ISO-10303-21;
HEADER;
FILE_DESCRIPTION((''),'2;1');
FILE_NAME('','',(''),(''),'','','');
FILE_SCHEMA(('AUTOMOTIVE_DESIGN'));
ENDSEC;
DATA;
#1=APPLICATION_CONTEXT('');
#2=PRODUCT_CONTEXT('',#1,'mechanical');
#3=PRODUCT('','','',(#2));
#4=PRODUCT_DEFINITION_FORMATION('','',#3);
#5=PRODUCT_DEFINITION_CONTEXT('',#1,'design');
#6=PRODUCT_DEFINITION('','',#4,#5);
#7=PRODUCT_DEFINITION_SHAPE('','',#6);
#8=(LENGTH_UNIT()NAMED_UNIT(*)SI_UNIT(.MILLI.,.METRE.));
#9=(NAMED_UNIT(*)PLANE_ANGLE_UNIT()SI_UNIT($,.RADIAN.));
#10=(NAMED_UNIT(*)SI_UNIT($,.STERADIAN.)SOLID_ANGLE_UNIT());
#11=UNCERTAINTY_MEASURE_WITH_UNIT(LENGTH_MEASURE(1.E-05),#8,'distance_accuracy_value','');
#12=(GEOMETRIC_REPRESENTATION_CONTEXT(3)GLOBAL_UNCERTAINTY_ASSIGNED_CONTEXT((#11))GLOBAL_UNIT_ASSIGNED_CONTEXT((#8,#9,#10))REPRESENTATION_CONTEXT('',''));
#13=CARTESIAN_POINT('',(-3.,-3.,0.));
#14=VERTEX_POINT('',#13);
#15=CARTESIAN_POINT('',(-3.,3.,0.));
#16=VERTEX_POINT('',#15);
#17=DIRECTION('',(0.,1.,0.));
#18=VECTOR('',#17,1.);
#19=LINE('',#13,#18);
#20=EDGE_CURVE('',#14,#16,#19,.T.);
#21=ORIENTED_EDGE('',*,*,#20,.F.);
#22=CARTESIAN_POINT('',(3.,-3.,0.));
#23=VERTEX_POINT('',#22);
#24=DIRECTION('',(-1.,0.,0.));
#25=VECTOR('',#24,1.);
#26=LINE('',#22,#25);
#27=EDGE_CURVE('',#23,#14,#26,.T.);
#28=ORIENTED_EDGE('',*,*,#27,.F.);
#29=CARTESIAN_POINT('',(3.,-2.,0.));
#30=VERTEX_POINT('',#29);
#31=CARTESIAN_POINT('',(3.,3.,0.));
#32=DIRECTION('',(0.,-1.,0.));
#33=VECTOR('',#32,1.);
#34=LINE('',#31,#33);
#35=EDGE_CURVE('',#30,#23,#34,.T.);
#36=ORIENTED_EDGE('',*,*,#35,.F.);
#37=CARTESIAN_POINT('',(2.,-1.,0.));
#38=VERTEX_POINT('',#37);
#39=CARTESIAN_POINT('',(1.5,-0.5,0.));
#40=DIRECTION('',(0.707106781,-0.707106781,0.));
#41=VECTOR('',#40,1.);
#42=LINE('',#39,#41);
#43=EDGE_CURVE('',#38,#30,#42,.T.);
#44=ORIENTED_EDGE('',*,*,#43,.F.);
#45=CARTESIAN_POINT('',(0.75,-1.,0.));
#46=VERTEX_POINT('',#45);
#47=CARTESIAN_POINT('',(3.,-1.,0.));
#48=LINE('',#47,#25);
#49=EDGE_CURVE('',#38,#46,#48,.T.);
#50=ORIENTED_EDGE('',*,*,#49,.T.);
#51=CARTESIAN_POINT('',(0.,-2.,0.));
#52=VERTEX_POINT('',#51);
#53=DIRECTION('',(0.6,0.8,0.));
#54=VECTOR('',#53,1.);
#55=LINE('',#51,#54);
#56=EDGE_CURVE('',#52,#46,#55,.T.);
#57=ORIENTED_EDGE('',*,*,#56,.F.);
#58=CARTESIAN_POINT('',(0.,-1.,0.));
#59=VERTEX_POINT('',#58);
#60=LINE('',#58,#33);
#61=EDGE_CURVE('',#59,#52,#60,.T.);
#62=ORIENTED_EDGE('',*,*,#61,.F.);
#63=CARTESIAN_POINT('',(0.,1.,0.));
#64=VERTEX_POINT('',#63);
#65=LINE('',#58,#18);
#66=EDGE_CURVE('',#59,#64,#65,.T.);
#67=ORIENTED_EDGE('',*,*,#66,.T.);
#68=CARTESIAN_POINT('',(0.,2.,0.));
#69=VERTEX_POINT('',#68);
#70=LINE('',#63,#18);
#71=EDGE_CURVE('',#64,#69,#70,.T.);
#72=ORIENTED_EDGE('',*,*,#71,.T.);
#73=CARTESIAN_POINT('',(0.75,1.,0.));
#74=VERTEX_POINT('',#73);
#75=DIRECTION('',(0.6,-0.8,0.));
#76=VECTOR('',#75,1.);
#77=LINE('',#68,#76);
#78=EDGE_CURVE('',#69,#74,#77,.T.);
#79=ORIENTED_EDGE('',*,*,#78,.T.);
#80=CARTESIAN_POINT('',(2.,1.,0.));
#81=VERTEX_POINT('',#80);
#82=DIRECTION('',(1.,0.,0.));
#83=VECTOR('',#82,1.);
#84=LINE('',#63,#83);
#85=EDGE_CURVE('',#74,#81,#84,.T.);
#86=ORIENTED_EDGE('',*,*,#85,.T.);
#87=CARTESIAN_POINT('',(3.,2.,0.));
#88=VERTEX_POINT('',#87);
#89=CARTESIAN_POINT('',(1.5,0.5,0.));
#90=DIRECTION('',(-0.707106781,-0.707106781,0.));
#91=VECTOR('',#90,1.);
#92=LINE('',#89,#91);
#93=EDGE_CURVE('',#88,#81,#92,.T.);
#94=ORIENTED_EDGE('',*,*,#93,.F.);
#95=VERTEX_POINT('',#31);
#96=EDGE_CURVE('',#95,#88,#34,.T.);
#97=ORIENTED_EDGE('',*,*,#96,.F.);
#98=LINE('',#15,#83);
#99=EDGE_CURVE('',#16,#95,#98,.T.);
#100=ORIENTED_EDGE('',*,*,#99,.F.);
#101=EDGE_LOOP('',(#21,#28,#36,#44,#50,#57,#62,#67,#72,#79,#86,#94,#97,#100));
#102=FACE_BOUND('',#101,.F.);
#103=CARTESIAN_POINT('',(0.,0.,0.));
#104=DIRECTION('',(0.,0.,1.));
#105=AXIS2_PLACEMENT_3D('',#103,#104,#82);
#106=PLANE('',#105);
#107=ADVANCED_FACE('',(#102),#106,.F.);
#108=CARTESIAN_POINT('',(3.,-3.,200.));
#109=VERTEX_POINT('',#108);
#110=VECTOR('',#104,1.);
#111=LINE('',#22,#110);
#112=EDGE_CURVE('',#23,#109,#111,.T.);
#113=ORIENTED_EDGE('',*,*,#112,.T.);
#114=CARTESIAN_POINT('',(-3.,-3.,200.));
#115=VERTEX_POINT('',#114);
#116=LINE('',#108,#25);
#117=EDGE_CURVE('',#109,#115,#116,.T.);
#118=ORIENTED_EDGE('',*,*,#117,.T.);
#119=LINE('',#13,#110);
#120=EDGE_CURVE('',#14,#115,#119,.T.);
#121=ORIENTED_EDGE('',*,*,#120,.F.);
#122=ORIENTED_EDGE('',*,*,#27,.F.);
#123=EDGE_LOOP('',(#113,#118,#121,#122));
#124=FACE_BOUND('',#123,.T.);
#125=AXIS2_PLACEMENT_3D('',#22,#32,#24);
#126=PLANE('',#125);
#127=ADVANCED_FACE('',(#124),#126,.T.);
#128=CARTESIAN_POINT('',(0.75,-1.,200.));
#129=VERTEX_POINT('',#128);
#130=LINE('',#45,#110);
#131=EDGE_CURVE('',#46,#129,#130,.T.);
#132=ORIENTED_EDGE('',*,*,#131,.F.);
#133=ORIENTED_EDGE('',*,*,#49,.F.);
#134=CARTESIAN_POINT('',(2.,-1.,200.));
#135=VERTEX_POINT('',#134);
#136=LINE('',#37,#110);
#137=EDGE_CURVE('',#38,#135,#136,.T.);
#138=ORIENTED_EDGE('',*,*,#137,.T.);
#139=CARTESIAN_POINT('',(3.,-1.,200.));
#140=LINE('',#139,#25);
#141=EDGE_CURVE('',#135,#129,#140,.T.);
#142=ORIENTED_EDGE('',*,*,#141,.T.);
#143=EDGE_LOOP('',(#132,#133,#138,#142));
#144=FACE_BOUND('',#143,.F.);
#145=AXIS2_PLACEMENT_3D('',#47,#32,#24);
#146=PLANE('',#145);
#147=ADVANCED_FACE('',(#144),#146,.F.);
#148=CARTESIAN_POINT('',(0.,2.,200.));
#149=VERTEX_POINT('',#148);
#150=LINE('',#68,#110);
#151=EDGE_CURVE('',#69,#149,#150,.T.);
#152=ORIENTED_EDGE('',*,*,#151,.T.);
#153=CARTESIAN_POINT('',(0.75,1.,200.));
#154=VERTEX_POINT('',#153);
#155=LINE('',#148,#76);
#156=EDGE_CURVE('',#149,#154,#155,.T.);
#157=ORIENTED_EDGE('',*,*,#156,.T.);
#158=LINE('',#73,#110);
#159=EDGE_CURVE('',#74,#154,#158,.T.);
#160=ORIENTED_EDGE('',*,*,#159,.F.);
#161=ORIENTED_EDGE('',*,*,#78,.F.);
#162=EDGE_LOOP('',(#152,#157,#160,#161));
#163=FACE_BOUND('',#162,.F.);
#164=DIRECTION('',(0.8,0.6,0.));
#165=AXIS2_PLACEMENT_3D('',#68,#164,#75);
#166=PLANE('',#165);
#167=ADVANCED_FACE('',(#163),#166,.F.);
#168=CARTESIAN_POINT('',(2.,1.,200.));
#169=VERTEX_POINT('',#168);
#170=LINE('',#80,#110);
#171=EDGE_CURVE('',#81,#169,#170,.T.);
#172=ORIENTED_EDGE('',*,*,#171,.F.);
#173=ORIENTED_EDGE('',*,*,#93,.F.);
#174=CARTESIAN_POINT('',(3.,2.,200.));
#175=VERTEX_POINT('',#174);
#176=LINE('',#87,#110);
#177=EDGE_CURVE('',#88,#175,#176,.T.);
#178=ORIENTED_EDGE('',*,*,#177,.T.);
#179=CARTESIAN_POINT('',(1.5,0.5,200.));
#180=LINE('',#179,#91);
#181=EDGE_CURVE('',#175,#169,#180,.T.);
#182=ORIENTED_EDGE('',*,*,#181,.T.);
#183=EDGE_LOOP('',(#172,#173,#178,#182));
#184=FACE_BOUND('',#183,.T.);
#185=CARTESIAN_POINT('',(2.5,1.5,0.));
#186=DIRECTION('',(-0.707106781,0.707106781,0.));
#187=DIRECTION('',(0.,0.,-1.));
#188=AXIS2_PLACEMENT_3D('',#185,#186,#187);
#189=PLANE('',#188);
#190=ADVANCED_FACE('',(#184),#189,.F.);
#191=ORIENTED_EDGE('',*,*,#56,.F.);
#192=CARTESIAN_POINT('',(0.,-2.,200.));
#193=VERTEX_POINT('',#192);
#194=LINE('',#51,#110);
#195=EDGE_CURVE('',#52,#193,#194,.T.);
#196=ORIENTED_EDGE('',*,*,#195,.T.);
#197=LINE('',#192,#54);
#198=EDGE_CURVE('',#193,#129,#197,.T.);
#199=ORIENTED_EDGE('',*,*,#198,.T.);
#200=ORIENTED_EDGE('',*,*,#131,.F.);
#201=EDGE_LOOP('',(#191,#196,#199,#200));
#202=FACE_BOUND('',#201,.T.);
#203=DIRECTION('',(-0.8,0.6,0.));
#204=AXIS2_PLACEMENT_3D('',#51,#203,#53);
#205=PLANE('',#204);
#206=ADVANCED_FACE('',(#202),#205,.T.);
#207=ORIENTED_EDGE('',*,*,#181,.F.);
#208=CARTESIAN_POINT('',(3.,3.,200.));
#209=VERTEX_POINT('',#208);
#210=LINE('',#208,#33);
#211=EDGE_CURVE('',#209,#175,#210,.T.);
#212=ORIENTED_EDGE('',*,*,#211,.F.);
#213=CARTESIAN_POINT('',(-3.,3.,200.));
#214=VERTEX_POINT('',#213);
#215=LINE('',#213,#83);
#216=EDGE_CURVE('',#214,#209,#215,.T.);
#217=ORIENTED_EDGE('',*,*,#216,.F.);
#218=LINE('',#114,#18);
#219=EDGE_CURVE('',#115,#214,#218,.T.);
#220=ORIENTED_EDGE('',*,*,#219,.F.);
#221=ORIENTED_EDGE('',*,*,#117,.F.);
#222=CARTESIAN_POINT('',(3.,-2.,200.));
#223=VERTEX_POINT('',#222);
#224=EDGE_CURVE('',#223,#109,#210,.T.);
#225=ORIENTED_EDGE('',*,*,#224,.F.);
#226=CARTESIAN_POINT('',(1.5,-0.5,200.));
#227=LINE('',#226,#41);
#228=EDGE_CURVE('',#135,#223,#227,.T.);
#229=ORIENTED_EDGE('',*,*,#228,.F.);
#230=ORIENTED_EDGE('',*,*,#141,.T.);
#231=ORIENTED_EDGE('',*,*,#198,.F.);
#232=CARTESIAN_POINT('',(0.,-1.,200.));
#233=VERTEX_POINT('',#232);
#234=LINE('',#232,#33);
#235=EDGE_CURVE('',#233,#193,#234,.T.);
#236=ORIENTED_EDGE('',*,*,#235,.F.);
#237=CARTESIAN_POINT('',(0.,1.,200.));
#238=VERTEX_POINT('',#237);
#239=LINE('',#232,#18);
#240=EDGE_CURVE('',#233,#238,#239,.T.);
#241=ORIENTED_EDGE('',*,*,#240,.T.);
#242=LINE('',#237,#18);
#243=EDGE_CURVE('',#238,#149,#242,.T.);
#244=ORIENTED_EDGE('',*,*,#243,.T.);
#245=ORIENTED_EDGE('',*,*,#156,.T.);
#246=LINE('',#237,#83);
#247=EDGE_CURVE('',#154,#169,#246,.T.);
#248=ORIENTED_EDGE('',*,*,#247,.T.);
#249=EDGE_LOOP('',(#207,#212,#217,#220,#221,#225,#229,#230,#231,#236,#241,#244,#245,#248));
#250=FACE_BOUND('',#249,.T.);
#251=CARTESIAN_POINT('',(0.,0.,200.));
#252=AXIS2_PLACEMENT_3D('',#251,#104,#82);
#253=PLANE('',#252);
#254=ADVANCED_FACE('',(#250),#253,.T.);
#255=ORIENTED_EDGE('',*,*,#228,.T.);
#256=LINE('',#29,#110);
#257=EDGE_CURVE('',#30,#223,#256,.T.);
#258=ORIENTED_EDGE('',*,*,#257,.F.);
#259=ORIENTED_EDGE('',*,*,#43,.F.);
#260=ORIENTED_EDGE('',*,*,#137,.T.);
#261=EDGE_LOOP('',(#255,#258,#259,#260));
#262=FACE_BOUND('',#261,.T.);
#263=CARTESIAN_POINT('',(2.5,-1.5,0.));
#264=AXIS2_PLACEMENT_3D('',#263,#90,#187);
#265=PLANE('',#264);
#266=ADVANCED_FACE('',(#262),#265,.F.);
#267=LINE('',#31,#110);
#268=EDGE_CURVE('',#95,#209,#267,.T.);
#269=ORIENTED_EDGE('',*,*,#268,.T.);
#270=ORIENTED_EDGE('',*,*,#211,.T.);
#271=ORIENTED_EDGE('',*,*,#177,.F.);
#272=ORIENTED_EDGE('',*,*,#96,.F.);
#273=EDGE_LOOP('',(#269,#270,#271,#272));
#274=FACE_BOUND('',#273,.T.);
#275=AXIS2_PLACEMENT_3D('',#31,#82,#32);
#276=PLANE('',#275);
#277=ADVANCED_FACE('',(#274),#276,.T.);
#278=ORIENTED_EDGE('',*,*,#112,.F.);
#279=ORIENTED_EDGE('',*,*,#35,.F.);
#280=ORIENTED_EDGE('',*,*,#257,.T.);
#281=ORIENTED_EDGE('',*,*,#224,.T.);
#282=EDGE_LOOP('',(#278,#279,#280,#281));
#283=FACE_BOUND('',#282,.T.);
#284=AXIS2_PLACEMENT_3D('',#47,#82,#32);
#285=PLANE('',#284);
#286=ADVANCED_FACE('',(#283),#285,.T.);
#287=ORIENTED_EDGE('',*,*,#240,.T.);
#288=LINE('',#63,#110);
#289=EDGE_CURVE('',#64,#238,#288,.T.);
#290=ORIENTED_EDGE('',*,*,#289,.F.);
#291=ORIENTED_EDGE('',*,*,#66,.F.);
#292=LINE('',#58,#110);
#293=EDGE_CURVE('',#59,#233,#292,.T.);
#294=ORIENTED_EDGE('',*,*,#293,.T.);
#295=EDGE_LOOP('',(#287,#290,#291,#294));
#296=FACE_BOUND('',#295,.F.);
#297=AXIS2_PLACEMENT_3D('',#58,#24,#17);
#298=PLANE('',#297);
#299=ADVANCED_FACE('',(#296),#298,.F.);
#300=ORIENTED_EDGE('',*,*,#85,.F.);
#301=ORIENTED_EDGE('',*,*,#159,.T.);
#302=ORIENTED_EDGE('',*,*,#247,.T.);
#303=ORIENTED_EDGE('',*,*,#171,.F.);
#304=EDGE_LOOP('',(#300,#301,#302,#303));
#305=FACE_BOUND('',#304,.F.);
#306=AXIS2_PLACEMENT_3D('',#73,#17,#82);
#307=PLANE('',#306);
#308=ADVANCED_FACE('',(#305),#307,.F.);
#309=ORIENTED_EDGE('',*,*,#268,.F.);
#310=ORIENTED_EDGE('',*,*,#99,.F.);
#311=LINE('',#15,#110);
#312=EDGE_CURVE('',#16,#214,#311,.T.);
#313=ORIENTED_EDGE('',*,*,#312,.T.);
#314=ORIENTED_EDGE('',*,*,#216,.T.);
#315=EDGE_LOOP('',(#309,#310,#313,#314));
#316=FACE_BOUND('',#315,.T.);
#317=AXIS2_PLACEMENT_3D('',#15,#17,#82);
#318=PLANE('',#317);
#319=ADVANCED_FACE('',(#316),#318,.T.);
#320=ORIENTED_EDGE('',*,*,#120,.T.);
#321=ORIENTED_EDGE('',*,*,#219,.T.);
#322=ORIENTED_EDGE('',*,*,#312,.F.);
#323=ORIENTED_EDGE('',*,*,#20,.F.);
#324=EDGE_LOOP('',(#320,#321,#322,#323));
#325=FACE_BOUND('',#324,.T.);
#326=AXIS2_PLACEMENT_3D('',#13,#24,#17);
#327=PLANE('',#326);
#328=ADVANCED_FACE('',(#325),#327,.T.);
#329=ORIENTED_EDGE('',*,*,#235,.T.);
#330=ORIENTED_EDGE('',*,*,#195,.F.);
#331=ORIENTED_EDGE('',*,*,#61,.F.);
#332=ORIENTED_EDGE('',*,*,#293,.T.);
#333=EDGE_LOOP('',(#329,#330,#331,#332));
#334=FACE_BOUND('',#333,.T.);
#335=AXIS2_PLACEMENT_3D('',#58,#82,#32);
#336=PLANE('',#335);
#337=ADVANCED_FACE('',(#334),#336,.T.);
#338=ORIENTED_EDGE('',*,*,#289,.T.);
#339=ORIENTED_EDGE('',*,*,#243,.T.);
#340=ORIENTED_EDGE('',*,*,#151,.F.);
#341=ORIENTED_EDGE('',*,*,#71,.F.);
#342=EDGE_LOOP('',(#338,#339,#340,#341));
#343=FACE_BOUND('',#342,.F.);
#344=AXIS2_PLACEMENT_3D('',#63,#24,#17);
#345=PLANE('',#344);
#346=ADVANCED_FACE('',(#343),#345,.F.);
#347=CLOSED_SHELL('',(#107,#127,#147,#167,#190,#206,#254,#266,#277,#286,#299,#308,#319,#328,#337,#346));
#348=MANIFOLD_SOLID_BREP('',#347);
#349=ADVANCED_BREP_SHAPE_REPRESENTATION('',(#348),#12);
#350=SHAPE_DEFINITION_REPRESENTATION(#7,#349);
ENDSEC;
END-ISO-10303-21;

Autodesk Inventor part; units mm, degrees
ref_plane "YZ Plane" through (0, 0, 0) normal (1, 0, 0) x (0, 1, 0)
ref_plane "XZ Plane" through (0, 0, 0) normal (0, 1, 0) x (-1, 0, 0)
ref_plane "XY Plane" through (0, 0, 0) normal (0, 0, 1) x (1, 0, 0)
sketch "Sketch1" plane through (0, 0, 0) normal (0, 0, 1) x (1, 0, 0)
  line L0 (-3, 3) -> (3, 3)
  line L1 (3, 3) -> (3, -3)
  line L2 (3, -3) -> (-3, -3)
  line L3 (-3, -3) -> (-3, 3)
  line L4 (-3, 3) -> (3, -3) construction
  line L5 (3, 3) -> (-3, -3) construction
  line L6 (0, 1) -> (3, 1)
  line L7 (3, 1) -> (3, -1)
  line L8 (3, -1) -> (0, -1)
  line L9 (0, -1) -> (0, 1)
  line L10 (0, 1) -> (3, -1) construction
  line L11 (3, 1) -> (0, -1) construction
  line L12 (0, 1) -> (0, 2)
  line L13 (0, 2) -> (1.5, 0)
  line L14 (0, -1) -> (0, -2)
  line L15 (0, -2) -> (1.5, 0)
  point P0 (0, 0)
  point P1 (0.75, -1)
  point P2 (0.75, 1)
  dimension "d0" = 6
  dimension "d1" = 2
  dimension "d2" = 3
  dimension "d3" = 1
extrude "Extrusion1" add sketch "Sketch1" along normal blind 200 contours L0 L1 L6 L13 L12 L9 L14 L15 L8 L2 L3
chamfer "Chamfer1" distance 1 angle 45 2 edges at (3, 1, 100) (3, -1, 100)
properties part number "LinearRail"
